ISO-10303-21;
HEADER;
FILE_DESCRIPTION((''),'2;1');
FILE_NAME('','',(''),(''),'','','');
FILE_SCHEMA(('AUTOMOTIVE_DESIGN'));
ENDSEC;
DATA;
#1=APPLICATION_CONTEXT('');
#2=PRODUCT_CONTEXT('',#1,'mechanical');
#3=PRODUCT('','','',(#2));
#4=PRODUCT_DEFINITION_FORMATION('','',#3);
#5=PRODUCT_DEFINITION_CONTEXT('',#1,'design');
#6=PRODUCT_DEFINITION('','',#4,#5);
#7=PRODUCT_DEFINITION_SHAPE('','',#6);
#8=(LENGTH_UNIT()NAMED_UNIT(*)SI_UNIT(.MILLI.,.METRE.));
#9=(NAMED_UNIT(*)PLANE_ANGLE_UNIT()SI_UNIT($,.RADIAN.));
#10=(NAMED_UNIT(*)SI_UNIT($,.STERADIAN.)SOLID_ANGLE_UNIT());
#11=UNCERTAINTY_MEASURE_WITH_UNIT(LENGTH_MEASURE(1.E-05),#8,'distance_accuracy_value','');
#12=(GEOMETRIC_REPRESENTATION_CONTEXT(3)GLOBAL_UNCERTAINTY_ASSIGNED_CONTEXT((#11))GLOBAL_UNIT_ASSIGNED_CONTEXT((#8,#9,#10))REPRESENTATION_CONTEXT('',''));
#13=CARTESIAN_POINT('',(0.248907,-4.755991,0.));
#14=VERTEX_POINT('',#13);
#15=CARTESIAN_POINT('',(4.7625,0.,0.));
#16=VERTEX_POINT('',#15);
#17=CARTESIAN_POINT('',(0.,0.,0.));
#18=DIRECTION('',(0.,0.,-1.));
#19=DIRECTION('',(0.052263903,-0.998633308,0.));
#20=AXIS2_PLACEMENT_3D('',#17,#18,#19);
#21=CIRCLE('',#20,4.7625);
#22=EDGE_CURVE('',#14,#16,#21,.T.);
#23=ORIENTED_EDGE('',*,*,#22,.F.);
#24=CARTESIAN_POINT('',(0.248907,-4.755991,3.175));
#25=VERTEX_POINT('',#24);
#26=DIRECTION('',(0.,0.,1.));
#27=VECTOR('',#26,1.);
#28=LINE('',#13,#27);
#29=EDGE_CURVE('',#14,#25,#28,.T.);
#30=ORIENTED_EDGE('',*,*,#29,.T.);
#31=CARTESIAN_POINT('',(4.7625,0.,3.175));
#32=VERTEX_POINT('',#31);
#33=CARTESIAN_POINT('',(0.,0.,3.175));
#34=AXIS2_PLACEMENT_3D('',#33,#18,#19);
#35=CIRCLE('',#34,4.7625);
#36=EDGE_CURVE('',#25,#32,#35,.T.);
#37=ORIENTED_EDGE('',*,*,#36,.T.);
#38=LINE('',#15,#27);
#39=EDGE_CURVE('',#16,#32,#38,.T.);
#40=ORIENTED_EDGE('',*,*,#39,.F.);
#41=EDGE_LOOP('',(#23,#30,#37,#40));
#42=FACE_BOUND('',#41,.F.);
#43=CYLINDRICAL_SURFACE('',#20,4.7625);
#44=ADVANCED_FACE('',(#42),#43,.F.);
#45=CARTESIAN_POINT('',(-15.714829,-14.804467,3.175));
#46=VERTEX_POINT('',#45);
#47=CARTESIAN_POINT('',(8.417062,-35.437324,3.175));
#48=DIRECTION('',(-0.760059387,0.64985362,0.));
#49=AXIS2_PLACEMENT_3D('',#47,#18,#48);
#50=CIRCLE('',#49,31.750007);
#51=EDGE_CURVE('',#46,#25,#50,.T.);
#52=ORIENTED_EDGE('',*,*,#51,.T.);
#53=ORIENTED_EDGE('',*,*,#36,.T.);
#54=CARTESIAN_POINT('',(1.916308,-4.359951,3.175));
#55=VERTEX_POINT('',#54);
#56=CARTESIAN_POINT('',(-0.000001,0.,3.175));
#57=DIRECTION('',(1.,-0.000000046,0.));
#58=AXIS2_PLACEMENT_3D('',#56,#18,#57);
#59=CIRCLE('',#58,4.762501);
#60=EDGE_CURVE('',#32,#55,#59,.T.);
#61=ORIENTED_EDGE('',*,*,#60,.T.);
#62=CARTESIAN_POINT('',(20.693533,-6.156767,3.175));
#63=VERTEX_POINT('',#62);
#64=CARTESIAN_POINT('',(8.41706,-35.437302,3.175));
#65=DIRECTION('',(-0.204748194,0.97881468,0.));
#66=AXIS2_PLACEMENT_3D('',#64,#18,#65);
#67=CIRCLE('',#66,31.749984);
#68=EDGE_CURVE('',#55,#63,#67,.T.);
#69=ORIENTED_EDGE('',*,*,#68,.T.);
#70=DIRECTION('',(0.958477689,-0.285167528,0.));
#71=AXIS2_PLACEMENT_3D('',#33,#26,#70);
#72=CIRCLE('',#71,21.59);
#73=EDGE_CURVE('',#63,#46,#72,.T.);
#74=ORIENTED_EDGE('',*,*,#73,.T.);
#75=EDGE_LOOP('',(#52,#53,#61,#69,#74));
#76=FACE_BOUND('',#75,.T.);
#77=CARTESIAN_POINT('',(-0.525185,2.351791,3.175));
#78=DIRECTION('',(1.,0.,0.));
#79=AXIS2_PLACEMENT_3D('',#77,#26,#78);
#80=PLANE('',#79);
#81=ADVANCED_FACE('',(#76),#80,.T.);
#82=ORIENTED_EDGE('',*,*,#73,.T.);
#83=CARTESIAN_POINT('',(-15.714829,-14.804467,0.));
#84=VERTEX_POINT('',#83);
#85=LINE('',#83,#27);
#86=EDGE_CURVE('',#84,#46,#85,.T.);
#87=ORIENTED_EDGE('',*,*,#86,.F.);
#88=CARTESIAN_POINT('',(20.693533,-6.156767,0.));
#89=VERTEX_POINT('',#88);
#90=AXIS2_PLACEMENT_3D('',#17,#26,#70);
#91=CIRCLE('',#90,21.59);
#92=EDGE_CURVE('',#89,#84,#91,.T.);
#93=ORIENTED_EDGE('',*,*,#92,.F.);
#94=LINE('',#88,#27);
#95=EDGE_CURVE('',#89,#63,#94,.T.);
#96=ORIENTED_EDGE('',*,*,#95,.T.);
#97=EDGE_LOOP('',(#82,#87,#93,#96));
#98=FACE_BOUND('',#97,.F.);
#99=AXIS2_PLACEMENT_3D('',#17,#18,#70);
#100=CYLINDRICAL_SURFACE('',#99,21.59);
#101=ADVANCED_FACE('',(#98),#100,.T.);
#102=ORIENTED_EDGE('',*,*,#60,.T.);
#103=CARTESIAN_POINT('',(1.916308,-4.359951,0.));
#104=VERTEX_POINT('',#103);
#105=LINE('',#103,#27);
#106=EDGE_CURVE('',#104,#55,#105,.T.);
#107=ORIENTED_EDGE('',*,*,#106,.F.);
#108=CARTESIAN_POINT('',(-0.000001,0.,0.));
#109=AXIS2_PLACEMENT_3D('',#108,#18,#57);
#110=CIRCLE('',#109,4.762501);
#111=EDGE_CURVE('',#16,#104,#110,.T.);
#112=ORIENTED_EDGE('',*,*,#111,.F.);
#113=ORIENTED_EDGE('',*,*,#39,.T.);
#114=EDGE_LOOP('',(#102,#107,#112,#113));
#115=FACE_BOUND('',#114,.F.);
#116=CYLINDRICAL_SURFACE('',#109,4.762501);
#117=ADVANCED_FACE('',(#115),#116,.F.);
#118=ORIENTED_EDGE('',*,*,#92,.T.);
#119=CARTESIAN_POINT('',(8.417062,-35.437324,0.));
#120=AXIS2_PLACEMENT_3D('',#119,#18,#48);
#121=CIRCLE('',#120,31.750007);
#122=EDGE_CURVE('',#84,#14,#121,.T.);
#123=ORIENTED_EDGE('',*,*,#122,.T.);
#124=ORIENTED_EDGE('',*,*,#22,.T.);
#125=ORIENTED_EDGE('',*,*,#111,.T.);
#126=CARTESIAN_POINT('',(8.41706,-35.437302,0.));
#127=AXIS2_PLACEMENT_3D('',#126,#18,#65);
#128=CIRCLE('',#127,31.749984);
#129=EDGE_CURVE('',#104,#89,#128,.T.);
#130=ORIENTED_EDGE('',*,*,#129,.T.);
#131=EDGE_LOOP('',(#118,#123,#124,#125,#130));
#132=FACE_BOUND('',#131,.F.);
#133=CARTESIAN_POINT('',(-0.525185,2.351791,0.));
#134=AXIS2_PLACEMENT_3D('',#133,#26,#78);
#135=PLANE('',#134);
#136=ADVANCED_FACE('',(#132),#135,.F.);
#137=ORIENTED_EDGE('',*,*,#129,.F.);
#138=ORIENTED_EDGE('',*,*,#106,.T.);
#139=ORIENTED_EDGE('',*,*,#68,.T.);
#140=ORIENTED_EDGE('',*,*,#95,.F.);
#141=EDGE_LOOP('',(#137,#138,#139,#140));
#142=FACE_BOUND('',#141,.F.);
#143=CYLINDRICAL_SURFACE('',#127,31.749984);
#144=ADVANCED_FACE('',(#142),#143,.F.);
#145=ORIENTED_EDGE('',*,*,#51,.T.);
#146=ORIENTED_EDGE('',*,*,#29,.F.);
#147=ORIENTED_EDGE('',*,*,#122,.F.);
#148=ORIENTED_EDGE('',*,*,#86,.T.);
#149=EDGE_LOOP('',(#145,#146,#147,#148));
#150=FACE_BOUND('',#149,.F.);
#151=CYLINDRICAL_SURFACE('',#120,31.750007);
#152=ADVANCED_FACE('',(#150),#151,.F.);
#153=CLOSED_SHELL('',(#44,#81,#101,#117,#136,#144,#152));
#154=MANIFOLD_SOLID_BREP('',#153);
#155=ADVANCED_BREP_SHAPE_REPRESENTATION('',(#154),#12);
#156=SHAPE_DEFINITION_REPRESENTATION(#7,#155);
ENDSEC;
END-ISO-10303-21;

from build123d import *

# Parameters (mm, degrees)
F1_DEPTH = 3.175


with BuildPart() as f1:
    # F0 (on Top) → F1 (new body)
    with BuildSketch(Plane.XY):
        with BuildLine():
            ThreePointArc((1.916308, -4.359951), (11.44144, -3.831691), (20.693533, -6.156767))
            ThreePointArc((20.693533, -6.156767), (-4.989244, 21.005607), (-15.714829, -14.804467))
            ThreePointArc((-15.714829, -14.804467), (-8.49643, -8.567327), (0.248907, -4.755991))
            ThreePointArc((0.248907, -4.755991), (-3.454477, 3.278413), (4.7625, 0))
            ThreePointArc((4.7625, 0), (3.987971, -2.603362), (1.916308, -4.359951))
        make_face()
    extrude(amount=F1_DEPTH)


solid = f1.part
